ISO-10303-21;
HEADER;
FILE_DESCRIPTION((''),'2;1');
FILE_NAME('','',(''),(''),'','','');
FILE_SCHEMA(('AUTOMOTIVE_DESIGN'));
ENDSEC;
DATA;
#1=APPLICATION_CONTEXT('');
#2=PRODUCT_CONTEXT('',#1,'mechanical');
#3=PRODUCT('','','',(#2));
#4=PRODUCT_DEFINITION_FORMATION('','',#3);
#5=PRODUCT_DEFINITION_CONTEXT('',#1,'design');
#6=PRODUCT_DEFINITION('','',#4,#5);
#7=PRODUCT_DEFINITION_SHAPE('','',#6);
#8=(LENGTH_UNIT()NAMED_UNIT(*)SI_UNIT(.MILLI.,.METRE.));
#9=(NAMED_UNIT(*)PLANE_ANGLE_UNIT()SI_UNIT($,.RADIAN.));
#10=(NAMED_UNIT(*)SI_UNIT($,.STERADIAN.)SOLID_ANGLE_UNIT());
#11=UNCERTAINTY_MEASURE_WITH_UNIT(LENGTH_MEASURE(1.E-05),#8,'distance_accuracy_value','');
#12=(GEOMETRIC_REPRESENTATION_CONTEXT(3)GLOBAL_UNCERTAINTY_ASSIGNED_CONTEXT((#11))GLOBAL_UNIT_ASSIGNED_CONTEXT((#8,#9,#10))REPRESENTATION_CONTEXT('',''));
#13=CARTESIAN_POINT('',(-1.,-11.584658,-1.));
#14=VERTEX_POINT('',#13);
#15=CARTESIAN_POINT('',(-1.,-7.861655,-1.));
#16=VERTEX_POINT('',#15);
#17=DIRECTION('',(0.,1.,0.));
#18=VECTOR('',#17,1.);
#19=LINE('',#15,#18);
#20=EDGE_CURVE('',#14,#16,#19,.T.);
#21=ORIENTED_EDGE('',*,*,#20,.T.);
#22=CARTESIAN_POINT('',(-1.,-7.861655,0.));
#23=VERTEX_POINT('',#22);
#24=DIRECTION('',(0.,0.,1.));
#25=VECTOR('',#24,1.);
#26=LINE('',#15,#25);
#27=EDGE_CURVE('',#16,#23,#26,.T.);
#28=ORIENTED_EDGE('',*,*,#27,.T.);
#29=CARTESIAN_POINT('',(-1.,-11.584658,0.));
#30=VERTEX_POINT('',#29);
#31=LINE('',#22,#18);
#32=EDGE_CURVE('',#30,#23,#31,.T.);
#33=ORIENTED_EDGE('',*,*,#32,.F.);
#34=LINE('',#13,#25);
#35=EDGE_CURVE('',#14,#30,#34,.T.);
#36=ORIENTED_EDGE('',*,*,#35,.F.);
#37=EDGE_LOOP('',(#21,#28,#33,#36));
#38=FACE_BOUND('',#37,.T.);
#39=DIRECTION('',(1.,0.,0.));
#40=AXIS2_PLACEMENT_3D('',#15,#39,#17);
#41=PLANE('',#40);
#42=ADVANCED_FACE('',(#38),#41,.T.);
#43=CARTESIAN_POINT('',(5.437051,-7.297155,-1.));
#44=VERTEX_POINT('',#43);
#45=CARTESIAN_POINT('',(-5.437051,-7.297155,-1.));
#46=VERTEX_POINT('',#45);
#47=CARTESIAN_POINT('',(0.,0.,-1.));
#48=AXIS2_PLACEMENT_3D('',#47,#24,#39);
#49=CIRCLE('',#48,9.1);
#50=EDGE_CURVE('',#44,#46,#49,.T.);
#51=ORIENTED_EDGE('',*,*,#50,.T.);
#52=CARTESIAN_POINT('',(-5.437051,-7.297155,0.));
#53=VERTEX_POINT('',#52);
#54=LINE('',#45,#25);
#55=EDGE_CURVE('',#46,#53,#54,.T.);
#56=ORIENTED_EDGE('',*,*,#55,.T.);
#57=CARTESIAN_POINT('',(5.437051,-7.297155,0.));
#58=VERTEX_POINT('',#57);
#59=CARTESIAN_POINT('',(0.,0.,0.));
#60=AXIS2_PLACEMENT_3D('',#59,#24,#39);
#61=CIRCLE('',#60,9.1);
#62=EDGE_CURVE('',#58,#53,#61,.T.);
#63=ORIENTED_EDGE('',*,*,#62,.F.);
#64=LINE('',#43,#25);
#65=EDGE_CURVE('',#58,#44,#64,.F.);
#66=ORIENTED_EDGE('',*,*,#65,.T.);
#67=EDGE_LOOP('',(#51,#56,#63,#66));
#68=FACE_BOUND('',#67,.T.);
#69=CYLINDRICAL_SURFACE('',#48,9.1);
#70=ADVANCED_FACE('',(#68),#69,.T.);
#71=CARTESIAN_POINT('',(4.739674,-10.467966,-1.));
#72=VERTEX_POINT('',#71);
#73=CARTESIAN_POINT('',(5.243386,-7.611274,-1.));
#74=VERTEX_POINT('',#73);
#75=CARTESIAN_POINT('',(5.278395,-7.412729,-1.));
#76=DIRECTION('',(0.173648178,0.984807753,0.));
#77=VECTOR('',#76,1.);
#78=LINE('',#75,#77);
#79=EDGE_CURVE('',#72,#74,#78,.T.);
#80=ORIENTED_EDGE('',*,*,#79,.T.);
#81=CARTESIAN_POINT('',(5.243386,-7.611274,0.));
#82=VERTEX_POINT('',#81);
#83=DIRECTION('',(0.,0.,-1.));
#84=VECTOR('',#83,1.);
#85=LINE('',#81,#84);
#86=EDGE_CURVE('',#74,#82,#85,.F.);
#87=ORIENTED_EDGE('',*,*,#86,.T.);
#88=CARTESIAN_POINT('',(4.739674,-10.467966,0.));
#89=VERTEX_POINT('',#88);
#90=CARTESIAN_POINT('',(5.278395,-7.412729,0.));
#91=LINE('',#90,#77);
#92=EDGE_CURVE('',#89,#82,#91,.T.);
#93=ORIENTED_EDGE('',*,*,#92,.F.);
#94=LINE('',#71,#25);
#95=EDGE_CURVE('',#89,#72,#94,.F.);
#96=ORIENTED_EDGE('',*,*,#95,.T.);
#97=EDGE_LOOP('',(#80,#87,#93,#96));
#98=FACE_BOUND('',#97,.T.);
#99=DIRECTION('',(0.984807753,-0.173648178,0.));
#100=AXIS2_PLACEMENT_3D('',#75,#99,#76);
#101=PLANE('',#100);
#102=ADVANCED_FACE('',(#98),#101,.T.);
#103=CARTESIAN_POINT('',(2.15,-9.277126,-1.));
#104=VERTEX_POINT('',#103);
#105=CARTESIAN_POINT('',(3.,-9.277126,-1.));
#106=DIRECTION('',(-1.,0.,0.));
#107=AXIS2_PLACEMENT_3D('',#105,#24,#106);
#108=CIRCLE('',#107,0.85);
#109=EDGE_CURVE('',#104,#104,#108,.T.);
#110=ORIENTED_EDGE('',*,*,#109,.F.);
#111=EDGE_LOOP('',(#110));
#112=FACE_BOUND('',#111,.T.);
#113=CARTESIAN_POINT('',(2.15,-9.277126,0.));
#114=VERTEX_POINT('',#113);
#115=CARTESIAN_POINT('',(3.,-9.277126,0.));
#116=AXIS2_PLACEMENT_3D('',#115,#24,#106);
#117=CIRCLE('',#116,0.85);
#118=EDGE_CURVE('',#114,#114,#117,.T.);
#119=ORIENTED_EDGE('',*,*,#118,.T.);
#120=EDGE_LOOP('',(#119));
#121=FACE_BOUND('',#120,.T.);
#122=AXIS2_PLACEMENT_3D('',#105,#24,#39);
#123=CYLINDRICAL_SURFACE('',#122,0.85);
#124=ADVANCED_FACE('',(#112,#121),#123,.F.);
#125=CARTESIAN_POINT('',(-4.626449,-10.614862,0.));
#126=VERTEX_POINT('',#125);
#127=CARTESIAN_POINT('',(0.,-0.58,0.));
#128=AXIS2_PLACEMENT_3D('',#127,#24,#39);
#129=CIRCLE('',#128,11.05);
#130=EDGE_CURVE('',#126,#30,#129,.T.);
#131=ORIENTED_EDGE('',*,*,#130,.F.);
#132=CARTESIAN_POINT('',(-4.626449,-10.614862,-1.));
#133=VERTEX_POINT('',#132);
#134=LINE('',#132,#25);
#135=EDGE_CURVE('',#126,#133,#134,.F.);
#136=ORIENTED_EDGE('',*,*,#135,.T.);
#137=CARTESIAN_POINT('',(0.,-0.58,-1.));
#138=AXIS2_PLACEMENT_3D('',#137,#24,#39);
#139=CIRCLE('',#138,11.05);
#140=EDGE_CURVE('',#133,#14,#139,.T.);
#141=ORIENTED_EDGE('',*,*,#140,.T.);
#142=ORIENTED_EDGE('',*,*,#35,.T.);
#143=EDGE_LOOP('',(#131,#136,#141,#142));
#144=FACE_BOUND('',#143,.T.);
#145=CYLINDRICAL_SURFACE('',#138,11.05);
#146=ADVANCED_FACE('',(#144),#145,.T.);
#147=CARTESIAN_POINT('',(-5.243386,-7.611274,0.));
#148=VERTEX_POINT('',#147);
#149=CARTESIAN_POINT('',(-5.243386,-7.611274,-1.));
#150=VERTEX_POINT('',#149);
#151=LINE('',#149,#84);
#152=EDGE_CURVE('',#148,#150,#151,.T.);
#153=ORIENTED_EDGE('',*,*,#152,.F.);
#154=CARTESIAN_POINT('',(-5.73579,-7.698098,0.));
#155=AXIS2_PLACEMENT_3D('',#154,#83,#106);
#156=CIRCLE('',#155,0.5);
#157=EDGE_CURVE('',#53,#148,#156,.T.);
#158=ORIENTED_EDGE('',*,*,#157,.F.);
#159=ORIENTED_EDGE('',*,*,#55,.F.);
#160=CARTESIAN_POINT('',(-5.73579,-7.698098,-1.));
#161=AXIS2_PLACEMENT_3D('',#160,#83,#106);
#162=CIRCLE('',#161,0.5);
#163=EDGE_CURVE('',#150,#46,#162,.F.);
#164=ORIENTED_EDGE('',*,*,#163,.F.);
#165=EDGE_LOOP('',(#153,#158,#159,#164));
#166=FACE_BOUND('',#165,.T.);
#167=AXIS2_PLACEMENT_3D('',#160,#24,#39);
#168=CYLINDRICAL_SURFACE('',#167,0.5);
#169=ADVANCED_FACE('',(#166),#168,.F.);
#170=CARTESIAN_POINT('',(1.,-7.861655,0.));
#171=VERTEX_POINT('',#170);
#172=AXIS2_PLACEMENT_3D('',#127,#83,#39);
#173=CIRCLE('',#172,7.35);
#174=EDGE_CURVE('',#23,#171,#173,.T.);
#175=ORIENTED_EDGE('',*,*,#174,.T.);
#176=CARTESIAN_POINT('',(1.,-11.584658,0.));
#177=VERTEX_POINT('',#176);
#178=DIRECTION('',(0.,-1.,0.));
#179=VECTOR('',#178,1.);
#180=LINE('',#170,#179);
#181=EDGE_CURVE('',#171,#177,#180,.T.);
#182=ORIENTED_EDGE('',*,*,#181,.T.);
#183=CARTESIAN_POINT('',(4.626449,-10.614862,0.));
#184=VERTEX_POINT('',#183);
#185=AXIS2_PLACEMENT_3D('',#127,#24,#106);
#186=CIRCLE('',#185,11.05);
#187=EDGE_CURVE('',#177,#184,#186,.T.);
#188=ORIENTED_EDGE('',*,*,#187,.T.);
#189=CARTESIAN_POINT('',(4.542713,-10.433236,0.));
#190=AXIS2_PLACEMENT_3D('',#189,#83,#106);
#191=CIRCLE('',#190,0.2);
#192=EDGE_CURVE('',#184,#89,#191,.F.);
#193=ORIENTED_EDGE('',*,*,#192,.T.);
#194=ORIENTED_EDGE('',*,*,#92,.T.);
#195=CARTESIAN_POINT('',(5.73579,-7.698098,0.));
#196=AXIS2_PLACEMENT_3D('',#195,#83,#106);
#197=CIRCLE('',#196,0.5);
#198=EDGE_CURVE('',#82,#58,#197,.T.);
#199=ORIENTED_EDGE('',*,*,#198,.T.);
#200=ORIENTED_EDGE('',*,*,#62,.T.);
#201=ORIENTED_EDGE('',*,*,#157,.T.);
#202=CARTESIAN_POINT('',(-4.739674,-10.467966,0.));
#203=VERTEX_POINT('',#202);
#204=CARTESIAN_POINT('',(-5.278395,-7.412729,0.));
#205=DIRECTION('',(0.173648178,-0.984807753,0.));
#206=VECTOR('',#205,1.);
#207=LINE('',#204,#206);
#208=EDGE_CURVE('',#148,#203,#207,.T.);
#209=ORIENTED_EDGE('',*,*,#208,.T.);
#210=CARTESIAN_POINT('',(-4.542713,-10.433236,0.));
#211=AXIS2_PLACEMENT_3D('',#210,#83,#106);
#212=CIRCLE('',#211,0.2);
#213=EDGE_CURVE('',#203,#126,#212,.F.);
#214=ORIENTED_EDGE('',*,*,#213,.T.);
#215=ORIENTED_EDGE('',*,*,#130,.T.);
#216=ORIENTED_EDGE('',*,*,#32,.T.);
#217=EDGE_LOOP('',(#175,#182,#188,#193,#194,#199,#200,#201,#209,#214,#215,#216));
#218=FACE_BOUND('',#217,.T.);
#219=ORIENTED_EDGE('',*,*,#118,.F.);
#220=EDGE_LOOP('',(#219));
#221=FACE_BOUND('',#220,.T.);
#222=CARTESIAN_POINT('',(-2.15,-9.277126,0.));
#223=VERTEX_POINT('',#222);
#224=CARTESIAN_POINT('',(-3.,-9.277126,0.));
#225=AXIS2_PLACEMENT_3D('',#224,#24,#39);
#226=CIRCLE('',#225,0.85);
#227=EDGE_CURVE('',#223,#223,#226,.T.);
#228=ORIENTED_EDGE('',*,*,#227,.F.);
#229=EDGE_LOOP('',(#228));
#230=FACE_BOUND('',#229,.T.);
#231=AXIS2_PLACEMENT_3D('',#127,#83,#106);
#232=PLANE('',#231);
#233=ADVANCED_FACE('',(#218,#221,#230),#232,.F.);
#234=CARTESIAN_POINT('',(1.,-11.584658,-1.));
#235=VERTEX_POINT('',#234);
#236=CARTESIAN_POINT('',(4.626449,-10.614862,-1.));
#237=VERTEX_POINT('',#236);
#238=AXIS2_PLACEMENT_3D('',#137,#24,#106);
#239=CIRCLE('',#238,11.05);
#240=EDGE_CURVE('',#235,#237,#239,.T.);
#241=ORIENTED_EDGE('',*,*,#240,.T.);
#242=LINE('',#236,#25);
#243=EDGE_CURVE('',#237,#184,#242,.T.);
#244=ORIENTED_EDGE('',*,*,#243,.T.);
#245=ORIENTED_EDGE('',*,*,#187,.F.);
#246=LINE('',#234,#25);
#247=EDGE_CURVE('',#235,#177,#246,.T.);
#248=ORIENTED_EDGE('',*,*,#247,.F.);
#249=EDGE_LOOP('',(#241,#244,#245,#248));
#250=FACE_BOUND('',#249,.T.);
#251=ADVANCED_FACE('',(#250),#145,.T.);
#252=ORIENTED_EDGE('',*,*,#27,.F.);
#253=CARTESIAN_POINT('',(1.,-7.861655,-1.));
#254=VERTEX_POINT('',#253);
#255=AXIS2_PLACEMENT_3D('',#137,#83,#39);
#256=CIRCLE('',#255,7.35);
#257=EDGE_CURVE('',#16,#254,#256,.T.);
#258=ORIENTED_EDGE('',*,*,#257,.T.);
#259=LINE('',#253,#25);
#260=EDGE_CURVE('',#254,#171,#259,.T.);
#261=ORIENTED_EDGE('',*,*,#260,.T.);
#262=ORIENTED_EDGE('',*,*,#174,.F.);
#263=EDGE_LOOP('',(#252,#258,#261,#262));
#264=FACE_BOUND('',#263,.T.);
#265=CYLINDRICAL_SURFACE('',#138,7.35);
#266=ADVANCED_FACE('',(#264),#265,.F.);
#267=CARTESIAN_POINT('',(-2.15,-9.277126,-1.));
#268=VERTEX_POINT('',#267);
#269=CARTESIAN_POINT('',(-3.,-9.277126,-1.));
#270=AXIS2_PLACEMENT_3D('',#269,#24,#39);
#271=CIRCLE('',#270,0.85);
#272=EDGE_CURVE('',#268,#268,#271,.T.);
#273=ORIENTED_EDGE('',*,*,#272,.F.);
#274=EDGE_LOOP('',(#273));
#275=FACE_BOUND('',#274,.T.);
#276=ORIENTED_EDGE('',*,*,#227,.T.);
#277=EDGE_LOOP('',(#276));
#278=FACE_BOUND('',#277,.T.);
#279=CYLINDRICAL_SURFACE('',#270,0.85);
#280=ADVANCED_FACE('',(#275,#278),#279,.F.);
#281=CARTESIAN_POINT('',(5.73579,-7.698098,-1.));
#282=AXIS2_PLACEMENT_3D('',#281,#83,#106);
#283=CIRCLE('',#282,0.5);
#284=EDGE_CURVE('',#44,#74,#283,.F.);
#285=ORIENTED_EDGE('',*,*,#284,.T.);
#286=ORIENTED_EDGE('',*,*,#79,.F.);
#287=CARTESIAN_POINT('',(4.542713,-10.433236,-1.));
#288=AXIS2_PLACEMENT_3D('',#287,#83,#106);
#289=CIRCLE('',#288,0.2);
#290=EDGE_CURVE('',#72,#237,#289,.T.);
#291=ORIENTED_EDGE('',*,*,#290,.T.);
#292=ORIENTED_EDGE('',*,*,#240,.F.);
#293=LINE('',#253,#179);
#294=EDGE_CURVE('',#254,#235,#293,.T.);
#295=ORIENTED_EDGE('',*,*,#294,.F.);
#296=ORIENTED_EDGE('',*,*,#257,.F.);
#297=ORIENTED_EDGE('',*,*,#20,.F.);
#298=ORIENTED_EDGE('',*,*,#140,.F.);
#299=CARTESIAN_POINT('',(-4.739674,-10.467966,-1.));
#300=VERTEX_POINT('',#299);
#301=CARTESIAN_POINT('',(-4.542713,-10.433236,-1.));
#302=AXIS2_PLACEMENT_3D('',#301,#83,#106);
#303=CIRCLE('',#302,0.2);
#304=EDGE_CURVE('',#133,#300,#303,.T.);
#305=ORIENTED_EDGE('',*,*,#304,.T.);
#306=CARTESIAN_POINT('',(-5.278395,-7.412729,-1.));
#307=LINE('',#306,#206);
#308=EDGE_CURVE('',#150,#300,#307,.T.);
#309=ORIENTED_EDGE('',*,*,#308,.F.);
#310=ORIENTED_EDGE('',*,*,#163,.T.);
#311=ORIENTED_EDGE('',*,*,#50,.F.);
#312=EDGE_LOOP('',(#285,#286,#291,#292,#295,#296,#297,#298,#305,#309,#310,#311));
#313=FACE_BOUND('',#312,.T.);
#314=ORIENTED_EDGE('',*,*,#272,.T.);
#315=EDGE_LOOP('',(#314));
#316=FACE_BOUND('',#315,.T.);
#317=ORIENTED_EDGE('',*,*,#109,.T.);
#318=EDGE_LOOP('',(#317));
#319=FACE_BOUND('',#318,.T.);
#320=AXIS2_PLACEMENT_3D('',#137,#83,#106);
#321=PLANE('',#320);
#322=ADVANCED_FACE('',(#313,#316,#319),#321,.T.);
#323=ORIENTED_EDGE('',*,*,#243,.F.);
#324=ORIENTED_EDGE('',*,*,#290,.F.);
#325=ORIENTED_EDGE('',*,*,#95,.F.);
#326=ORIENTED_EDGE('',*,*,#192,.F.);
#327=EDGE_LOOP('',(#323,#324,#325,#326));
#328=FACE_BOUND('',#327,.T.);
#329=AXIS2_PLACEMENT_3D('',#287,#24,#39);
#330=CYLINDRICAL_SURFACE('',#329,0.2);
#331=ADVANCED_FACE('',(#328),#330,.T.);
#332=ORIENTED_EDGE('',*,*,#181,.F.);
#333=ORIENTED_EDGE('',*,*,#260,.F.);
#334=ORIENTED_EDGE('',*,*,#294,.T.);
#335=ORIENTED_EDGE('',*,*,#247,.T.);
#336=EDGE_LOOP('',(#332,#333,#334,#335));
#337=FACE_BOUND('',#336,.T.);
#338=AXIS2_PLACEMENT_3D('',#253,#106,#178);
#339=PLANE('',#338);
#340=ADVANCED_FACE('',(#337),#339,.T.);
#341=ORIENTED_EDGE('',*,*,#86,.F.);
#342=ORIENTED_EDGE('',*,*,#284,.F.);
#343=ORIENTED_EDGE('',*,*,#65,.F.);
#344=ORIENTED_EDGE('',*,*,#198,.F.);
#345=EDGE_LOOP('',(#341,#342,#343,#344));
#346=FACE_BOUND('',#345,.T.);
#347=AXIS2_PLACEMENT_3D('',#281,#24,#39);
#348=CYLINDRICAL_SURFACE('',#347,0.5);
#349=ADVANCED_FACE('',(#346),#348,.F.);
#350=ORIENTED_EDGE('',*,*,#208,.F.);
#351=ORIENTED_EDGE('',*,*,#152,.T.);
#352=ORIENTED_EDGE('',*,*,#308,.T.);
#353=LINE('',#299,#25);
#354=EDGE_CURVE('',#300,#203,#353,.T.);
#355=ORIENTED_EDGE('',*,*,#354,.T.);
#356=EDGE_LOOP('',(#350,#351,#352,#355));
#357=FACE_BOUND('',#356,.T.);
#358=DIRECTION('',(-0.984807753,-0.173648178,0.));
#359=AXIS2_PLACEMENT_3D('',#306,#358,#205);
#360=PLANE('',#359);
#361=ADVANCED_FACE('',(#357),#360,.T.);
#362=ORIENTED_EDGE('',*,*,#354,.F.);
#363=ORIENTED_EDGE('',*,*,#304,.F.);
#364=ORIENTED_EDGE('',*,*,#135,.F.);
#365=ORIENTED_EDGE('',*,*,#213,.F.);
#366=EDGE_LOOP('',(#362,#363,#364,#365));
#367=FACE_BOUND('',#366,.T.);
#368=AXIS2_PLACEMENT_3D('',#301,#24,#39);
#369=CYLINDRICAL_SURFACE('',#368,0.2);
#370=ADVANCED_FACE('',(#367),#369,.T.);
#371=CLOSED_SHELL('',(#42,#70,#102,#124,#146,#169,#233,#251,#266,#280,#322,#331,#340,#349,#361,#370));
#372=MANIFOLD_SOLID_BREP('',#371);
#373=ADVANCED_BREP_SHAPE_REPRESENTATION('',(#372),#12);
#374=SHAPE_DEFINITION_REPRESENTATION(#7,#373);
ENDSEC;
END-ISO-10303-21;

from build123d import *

# Parameters (mm, degrees)
SKETCH1_R  = 0.85
BODY_DEPTH = 1
FILLET1_R  = 0.2
FILLET2_R  = 0.5


with BuildPart() as part:
    # Sketch1 → Body (new body)
    with BuildSketch(Plane.XY):
        with BuildLine():
            Line((-1, -7.861655032), (-1, -11.584658105))
            ThreePointArc((-1, -11.584658105), (-2.905399941, -11.241198393), (-4.721604894, -10.570442794))
            Line((-4.721604894, -10.570442794), (-5.278395106, -7.412728587))
            ThreePointArc((-5.278395106, -7.412728587), (0, 9.1), (5.278395106, -7.412728587))
            Line((5.278395106, -7.412728587), (4.721604894, -10.570442794))
            ThreePointArc((4.721604894, -10.570442794), (2.905399941, -11.241198393), (1, -11.584658105))
            Line((1, -11.584658105), (1, -7.861655032))
            ThreePointArc((1, -7.861655032), (0, 6.77), (-1, -7.861655032))
        make_face()
        with Locations(Location((3, -9.277125962, 0), (0, 0, 180))):
            Circle(SKETCH1_R, mode=Mode.SUBTRACT)
        with Locations((-3, -9.277125962)):
            Circle(SKETCH1_R, mode=Mode.SUBTRACT)
    extrude(amount=-BODY_DEPTH)

    # Fillet1
    fillet1_edges = [part.edges().sort_by_distance(p)[0] for p in [
        (-4.721604894, -10.570442794, -0.5),
        (4.721604894, -10.570442794, -0.5),
    ]]
    fillet(fillet1_edges, radius=FILLET1_R)

    # Fillet2
    fillet2_edges = [part.edges().sort_by_distance(p)[0] for p in [
        (-5.278395106, -7.412728587, -0.5),
        (5.278395106, -7.412728587, -0.5),
    ]]
    fillet(fillet2_edges, radius=FILLET2_R)


solid = part.part
